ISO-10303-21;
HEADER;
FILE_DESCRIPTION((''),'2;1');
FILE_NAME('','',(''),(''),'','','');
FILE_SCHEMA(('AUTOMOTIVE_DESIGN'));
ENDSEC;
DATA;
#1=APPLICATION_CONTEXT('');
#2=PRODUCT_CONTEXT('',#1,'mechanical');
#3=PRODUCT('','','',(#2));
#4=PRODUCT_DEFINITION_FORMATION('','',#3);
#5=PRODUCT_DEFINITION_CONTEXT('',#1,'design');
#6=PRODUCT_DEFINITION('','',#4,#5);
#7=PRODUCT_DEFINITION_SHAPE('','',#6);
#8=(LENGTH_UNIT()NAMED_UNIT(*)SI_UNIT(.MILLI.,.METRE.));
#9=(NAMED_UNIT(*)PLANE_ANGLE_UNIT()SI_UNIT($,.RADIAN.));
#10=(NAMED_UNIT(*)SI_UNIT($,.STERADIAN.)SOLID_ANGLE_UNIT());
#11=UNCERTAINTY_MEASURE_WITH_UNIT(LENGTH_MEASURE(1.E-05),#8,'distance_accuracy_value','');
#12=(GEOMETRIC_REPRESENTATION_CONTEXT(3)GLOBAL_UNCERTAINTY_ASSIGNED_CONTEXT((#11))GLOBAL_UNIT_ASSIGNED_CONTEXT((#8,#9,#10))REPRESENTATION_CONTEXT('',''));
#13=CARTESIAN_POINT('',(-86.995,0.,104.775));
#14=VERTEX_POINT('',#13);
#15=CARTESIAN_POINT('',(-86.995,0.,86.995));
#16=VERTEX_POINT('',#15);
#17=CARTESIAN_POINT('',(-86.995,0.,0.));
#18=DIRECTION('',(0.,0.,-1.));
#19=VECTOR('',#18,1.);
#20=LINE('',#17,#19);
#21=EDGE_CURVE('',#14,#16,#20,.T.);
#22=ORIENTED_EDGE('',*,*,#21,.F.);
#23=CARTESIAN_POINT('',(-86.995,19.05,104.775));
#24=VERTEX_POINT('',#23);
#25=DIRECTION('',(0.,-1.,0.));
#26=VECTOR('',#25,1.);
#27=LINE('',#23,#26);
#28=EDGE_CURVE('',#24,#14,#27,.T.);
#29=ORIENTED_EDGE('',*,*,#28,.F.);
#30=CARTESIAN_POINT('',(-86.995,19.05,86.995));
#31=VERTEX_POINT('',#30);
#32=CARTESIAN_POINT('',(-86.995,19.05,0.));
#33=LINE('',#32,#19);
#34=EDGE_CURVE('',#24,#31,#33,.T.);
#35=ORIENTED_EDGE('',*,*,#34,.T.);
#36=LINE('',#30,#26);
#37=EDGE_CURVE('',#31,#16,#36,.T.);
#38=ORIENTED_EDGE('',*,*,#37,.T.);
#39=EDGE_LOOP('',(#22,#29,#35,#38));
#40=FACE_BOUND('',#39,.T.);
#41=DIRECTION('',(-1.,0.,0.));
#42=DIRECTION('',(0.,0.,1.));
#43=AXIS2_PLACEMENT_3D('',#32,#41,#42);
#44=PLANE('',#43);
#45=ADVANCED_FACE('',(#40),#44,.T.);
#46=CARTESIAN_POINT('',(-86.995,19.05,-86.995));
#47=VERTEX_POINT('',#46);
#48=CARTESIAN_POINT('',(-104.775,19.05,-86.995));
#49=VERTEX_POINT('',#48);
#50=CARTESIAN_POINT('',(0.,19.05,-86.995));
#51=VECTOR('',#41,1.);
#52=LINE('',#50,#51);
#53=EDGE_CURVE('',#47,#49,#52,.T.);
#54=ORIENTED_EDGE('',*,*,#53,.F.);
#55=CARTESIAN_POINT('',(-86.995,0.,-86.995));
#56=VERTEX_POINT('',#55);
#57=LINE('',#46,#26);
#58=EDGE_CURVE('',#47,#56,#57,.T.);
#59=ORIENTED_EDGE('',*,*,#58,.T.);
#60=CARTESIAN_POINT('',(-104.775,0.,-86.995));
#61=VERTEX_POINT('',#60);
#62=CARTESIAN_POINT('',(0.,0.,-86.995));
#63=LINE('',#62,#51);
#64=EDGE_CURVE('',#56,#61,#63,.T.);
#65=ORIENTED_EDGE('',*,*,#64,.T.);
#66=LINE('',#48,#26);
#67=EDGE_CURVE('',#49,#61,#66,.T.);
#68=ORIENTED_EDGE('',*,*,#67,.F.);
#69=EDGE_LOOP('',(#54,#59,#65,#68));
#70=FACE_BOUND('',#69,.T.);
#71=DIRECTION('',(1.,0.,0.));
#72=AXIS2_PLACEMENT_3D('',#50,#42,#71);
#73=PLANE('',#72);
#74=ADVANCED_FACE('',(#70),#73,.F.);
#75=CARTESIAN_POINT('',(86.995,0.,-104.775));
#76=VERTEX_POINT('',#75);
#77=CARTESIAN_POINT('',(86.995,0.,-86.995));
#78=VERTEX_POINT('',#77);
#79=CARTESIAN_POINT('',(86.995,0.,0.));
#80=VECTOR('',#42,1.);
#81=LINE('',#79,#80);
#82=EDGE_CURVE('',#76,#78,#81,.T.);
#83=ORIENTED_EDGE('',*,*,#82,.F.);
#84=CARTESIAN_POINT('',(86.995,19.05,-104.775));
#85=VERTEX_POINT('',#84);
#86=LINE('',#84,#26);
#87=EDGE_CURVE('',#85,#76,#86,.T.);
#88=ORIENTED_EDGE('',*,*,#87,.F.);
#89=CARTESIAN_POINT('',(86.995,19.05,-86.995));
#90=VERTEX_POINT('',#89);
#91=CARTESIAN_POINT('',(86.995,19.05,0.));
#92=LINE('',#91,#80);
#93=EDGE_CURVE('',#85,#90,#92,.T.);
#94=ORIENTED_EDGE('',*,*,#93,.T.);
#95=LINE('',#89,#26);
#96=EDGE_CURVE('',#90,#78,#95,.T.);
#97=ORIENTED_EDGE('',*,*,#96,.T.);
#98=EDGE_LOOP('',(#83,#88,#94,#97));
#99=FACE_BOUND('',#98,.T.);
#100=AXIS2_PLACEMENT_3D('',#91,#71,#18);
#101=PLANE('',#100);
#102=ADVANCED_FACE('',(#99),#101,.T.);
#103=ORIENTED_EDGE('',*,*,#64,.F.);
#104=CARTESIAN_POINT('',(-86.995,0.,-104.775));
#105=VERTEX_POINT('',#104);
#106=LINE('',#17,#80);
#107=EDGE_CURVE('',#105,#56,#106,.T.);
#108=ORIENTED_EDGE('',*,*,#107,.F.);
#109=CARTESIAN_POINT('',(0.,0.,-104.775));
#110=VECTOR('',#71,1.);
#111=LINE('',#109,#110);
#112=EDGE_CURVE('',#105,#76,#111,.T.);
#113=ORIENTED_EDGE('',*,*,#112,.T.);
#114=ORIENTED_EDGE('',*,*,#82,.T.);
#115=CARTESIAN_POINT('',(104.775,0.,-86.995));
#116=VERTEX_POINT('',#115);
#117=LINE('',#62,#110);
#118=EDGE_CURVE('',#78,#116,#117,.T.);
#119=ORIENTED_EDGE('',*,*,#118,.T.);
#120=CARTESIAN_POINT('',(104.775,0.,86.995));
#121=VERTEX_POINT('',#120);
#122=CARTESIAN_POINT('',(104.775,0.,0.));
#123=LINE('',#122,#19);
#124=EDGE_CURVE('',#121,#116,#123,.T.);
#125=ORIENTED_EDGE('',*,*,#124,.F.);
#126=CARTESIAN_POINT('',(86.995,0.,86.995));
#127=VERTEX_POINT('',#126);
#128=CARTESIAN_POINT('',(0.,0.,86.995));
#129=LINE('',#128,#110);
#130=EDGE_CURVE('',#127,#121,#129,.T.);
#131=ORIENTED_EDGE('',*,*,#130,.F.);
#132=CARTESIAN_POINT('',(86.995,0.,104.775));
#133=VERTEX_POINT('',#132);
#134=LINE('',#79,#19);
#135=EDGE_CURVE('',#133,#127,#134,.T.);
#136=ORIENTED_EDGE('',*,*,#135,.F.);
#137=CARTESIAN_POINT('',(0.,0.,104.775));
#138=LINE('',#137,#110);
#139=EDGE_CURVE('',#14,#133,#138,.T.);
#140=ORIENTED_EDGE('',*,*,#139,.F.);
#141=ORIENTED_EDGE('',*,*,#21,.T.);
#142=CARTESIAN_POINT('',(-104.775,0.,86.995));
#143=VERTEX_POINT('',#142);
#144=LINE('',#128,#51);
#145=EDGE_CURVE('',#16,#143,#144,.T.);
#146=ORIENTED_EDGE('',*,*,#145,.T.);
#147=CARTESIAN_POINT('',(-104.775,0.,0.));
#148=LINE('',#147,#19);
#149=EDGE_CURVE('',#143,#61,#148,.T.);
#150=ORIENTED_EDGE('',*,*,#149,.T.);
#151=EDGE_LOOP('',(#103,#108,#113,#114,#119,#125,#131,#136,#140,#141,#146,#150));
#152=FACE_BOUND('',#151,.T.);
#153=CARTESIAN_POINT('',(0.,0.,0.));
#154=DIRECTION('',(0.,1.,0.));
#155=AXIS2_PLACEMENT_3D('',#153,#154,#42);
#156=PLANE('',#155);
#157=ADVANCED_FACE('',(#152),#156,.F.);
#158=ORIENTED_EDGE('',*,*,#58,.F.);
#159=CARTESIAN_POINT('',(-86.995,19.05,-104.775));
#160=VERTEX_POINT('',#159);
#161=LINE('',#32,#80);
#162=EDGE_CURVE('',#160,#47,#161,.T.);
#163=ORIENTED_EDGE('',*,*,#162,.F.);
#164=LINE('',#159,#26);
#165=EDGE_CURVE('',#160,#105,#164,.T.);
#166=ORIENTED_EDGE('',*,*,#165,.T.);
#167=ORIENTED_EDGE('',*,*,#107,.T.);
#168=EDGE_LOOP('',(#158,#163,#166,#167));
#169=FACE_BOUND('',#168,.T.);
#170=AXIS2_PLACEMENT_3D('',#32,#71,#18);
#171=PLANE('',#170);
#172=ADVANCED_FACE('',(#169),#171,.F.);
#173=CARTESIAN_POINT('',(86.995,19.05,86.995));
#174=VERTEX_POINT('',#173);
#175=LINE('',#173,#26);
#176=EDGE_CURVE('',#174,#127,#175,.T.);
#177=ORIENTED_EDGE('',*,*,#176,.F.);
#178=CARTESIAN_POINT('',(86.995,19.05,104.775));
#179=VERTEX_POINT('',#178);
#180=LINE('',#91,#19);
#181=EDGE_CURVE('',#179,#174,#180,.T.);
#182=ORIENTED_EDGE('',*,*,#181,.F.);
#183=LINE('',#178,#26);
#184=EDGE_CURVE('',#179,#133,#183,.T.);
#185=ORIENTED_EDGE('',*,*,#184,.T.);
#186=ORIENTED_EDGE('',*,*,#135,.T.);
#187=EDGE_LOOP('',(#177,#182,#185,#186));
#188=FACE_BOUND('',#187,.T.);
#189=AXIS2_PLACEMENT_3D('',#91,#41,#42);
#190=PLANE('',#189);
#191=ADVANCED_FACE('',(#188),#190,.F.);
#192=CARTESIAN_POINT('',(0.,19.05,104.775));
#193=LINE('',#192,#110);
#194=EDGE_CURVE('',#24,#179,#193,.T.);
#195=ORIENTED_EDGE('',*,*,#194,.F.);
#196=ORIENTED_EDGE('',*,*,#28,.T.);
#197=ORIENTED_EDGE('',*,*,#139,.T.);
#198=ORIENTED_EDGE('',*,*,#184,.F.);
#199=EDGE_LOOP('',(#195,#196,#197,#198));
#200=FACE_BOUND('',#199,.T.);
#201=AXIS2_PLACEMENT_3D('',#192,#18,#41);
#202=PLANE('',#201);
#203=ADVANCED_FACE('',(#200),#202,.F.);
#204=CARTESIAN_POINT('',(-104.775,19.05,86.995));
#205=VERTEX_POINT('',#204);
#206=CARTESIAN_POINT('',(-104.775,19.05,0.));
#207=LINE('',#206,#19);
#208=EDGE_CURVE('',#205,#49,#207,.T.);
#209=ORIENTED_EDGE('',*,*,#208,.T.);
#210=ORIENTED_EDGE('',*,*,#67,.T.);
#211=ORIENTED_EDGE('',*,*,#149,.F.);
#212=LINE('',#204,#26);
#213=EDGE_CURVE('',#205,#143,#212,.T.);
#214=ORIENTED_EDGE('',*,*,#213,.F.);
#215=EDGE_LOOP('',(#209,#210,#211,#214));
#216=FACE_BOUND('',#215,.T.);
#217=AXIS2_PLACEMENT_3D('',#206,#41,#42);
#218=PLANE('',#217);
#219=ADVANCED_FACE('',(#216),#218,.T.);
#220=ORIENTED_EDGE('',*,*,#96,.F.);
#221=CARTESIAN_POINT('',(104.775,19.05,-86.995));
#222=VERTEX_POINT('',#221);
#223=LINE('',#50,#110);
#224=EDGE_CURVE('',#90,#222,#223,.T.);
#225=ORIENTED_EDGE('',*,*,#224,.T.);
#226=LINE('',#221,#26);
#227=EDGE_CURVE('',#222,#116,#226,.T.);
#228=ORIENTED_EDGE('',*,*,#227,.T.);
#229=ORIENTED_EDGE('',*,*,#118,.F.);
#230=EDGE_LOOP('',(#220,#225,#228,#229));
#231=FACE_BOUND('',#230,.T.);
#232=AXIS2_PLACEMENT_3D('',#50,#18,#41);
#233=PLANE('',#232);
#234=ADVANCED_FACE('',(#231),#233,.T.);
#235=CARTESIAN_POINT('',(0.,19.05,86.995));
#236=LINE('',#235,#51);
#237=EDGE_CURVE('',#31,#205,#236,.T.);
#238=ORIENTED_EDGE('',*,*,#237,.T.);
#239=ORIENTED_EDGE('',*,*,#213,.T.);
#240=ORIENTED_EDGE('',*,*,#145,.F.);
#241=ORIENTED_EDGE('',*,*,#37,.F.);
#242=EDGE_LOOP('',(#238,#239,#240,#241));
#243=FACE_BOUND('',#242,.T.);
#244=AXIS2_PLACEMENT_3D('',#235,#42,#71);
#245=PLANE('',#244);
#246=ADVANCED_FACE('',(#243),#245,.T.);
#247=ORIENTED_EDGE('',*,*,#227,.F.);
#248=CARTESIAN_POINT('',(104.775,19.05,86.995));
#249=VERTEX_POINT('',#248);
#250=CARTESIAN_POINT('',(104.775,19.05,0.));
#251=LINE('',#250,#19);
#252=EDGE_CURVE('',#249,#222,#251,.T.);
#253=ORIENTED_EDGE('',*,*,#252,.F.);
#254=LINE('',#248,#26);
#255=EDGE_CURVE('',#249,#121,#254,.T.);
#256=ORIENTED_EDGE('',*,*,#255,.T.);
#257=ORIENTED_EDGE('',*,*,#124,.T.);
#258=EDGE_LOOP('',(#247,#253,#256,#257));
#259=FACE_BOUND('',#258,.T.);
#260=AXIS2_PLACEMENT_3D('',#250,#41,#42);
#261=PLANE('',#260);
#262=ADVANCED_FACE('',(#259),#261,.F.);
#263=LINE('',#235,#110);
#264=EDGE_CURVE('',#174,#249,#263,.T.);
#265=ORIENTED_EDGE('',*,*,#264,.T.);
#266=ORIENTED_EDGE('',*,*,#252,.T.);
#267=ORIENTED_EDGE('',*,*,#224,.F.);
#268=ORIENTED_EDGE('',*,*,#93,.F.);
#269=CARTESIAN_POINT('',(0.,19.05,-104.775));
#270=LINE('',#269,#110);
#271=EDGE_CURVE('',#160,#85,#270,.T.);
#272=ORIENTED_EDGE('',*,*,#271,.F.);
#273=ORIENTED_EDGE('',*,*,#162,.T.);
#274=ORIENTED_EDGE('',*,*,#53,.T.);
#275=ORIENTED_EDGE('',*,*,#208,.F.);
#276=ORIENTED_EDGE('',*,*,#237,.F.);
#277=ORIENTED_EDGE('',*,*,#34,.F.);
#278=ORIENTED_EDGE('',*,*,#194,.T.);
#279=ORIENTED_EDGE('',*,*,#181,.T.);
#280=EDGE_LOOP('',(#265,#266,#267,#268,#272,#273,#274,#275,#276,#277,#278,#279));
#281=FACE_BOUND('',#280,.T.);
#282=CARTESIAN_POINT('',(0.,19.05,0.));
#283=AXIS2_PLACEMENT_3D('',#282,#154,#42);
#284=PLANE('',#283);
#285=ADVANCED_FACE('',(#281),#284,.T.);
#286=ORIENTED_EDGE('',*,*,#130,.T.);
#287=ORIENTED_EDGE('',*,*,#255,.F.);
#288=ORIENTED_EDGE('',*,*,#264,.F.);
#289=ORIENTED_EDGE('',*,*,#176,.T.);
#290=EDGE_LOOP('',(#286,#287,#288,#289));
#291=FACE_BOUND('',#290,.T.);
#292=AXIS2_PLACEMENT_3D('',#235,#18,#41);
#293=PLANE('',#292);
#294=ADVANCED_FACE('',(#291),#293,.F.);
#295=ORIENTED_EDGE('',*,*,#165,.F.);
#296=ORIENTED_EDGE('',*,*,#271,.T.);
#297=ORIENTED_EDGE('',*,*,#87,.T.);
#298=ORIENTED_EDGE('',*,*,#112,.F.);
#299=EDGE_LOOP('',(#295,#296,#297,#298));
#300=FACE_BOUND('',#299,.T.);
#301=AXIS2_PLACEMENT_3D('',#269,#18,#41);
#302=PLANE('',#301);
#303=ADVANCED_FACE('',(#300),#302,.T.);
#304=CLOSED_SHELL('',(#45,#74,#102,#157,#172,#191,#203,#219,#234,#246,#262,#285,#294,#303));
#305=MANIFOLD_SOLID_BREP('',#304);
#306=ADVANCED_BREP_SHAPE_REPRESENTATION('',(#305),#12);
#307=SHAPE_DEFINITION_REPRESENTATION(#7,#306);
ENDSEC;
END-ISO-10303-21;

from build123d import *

# Parameters (mm, degrees)
BOSS_EXTRUDE1_DEPTH = 19.05


with BuildPart() as part:
    # Sketch1 → Boss-Extrude1 (new body)
    with BuildSketch(Plane(origin=(0, 0, 0), x_dir=(1, 0, 0), z_dir=(0, 1, 0))):
        Polygon((86.995, 104.775), (-86.995, 104.775), (-86.995, 86.995), (-104.775, 86.995), (-104.775, -86.995), (-86.995, -86.995), (-86.995, -104.775), (86.995, -104.775), (86.995, -86.995), (104.775, -86.995), (104.775, 86.995), (86.995, 86.995), align=None)
    extrude(amount=BOSS_EXTRUDE1_DEPTH)


solid = part.part
